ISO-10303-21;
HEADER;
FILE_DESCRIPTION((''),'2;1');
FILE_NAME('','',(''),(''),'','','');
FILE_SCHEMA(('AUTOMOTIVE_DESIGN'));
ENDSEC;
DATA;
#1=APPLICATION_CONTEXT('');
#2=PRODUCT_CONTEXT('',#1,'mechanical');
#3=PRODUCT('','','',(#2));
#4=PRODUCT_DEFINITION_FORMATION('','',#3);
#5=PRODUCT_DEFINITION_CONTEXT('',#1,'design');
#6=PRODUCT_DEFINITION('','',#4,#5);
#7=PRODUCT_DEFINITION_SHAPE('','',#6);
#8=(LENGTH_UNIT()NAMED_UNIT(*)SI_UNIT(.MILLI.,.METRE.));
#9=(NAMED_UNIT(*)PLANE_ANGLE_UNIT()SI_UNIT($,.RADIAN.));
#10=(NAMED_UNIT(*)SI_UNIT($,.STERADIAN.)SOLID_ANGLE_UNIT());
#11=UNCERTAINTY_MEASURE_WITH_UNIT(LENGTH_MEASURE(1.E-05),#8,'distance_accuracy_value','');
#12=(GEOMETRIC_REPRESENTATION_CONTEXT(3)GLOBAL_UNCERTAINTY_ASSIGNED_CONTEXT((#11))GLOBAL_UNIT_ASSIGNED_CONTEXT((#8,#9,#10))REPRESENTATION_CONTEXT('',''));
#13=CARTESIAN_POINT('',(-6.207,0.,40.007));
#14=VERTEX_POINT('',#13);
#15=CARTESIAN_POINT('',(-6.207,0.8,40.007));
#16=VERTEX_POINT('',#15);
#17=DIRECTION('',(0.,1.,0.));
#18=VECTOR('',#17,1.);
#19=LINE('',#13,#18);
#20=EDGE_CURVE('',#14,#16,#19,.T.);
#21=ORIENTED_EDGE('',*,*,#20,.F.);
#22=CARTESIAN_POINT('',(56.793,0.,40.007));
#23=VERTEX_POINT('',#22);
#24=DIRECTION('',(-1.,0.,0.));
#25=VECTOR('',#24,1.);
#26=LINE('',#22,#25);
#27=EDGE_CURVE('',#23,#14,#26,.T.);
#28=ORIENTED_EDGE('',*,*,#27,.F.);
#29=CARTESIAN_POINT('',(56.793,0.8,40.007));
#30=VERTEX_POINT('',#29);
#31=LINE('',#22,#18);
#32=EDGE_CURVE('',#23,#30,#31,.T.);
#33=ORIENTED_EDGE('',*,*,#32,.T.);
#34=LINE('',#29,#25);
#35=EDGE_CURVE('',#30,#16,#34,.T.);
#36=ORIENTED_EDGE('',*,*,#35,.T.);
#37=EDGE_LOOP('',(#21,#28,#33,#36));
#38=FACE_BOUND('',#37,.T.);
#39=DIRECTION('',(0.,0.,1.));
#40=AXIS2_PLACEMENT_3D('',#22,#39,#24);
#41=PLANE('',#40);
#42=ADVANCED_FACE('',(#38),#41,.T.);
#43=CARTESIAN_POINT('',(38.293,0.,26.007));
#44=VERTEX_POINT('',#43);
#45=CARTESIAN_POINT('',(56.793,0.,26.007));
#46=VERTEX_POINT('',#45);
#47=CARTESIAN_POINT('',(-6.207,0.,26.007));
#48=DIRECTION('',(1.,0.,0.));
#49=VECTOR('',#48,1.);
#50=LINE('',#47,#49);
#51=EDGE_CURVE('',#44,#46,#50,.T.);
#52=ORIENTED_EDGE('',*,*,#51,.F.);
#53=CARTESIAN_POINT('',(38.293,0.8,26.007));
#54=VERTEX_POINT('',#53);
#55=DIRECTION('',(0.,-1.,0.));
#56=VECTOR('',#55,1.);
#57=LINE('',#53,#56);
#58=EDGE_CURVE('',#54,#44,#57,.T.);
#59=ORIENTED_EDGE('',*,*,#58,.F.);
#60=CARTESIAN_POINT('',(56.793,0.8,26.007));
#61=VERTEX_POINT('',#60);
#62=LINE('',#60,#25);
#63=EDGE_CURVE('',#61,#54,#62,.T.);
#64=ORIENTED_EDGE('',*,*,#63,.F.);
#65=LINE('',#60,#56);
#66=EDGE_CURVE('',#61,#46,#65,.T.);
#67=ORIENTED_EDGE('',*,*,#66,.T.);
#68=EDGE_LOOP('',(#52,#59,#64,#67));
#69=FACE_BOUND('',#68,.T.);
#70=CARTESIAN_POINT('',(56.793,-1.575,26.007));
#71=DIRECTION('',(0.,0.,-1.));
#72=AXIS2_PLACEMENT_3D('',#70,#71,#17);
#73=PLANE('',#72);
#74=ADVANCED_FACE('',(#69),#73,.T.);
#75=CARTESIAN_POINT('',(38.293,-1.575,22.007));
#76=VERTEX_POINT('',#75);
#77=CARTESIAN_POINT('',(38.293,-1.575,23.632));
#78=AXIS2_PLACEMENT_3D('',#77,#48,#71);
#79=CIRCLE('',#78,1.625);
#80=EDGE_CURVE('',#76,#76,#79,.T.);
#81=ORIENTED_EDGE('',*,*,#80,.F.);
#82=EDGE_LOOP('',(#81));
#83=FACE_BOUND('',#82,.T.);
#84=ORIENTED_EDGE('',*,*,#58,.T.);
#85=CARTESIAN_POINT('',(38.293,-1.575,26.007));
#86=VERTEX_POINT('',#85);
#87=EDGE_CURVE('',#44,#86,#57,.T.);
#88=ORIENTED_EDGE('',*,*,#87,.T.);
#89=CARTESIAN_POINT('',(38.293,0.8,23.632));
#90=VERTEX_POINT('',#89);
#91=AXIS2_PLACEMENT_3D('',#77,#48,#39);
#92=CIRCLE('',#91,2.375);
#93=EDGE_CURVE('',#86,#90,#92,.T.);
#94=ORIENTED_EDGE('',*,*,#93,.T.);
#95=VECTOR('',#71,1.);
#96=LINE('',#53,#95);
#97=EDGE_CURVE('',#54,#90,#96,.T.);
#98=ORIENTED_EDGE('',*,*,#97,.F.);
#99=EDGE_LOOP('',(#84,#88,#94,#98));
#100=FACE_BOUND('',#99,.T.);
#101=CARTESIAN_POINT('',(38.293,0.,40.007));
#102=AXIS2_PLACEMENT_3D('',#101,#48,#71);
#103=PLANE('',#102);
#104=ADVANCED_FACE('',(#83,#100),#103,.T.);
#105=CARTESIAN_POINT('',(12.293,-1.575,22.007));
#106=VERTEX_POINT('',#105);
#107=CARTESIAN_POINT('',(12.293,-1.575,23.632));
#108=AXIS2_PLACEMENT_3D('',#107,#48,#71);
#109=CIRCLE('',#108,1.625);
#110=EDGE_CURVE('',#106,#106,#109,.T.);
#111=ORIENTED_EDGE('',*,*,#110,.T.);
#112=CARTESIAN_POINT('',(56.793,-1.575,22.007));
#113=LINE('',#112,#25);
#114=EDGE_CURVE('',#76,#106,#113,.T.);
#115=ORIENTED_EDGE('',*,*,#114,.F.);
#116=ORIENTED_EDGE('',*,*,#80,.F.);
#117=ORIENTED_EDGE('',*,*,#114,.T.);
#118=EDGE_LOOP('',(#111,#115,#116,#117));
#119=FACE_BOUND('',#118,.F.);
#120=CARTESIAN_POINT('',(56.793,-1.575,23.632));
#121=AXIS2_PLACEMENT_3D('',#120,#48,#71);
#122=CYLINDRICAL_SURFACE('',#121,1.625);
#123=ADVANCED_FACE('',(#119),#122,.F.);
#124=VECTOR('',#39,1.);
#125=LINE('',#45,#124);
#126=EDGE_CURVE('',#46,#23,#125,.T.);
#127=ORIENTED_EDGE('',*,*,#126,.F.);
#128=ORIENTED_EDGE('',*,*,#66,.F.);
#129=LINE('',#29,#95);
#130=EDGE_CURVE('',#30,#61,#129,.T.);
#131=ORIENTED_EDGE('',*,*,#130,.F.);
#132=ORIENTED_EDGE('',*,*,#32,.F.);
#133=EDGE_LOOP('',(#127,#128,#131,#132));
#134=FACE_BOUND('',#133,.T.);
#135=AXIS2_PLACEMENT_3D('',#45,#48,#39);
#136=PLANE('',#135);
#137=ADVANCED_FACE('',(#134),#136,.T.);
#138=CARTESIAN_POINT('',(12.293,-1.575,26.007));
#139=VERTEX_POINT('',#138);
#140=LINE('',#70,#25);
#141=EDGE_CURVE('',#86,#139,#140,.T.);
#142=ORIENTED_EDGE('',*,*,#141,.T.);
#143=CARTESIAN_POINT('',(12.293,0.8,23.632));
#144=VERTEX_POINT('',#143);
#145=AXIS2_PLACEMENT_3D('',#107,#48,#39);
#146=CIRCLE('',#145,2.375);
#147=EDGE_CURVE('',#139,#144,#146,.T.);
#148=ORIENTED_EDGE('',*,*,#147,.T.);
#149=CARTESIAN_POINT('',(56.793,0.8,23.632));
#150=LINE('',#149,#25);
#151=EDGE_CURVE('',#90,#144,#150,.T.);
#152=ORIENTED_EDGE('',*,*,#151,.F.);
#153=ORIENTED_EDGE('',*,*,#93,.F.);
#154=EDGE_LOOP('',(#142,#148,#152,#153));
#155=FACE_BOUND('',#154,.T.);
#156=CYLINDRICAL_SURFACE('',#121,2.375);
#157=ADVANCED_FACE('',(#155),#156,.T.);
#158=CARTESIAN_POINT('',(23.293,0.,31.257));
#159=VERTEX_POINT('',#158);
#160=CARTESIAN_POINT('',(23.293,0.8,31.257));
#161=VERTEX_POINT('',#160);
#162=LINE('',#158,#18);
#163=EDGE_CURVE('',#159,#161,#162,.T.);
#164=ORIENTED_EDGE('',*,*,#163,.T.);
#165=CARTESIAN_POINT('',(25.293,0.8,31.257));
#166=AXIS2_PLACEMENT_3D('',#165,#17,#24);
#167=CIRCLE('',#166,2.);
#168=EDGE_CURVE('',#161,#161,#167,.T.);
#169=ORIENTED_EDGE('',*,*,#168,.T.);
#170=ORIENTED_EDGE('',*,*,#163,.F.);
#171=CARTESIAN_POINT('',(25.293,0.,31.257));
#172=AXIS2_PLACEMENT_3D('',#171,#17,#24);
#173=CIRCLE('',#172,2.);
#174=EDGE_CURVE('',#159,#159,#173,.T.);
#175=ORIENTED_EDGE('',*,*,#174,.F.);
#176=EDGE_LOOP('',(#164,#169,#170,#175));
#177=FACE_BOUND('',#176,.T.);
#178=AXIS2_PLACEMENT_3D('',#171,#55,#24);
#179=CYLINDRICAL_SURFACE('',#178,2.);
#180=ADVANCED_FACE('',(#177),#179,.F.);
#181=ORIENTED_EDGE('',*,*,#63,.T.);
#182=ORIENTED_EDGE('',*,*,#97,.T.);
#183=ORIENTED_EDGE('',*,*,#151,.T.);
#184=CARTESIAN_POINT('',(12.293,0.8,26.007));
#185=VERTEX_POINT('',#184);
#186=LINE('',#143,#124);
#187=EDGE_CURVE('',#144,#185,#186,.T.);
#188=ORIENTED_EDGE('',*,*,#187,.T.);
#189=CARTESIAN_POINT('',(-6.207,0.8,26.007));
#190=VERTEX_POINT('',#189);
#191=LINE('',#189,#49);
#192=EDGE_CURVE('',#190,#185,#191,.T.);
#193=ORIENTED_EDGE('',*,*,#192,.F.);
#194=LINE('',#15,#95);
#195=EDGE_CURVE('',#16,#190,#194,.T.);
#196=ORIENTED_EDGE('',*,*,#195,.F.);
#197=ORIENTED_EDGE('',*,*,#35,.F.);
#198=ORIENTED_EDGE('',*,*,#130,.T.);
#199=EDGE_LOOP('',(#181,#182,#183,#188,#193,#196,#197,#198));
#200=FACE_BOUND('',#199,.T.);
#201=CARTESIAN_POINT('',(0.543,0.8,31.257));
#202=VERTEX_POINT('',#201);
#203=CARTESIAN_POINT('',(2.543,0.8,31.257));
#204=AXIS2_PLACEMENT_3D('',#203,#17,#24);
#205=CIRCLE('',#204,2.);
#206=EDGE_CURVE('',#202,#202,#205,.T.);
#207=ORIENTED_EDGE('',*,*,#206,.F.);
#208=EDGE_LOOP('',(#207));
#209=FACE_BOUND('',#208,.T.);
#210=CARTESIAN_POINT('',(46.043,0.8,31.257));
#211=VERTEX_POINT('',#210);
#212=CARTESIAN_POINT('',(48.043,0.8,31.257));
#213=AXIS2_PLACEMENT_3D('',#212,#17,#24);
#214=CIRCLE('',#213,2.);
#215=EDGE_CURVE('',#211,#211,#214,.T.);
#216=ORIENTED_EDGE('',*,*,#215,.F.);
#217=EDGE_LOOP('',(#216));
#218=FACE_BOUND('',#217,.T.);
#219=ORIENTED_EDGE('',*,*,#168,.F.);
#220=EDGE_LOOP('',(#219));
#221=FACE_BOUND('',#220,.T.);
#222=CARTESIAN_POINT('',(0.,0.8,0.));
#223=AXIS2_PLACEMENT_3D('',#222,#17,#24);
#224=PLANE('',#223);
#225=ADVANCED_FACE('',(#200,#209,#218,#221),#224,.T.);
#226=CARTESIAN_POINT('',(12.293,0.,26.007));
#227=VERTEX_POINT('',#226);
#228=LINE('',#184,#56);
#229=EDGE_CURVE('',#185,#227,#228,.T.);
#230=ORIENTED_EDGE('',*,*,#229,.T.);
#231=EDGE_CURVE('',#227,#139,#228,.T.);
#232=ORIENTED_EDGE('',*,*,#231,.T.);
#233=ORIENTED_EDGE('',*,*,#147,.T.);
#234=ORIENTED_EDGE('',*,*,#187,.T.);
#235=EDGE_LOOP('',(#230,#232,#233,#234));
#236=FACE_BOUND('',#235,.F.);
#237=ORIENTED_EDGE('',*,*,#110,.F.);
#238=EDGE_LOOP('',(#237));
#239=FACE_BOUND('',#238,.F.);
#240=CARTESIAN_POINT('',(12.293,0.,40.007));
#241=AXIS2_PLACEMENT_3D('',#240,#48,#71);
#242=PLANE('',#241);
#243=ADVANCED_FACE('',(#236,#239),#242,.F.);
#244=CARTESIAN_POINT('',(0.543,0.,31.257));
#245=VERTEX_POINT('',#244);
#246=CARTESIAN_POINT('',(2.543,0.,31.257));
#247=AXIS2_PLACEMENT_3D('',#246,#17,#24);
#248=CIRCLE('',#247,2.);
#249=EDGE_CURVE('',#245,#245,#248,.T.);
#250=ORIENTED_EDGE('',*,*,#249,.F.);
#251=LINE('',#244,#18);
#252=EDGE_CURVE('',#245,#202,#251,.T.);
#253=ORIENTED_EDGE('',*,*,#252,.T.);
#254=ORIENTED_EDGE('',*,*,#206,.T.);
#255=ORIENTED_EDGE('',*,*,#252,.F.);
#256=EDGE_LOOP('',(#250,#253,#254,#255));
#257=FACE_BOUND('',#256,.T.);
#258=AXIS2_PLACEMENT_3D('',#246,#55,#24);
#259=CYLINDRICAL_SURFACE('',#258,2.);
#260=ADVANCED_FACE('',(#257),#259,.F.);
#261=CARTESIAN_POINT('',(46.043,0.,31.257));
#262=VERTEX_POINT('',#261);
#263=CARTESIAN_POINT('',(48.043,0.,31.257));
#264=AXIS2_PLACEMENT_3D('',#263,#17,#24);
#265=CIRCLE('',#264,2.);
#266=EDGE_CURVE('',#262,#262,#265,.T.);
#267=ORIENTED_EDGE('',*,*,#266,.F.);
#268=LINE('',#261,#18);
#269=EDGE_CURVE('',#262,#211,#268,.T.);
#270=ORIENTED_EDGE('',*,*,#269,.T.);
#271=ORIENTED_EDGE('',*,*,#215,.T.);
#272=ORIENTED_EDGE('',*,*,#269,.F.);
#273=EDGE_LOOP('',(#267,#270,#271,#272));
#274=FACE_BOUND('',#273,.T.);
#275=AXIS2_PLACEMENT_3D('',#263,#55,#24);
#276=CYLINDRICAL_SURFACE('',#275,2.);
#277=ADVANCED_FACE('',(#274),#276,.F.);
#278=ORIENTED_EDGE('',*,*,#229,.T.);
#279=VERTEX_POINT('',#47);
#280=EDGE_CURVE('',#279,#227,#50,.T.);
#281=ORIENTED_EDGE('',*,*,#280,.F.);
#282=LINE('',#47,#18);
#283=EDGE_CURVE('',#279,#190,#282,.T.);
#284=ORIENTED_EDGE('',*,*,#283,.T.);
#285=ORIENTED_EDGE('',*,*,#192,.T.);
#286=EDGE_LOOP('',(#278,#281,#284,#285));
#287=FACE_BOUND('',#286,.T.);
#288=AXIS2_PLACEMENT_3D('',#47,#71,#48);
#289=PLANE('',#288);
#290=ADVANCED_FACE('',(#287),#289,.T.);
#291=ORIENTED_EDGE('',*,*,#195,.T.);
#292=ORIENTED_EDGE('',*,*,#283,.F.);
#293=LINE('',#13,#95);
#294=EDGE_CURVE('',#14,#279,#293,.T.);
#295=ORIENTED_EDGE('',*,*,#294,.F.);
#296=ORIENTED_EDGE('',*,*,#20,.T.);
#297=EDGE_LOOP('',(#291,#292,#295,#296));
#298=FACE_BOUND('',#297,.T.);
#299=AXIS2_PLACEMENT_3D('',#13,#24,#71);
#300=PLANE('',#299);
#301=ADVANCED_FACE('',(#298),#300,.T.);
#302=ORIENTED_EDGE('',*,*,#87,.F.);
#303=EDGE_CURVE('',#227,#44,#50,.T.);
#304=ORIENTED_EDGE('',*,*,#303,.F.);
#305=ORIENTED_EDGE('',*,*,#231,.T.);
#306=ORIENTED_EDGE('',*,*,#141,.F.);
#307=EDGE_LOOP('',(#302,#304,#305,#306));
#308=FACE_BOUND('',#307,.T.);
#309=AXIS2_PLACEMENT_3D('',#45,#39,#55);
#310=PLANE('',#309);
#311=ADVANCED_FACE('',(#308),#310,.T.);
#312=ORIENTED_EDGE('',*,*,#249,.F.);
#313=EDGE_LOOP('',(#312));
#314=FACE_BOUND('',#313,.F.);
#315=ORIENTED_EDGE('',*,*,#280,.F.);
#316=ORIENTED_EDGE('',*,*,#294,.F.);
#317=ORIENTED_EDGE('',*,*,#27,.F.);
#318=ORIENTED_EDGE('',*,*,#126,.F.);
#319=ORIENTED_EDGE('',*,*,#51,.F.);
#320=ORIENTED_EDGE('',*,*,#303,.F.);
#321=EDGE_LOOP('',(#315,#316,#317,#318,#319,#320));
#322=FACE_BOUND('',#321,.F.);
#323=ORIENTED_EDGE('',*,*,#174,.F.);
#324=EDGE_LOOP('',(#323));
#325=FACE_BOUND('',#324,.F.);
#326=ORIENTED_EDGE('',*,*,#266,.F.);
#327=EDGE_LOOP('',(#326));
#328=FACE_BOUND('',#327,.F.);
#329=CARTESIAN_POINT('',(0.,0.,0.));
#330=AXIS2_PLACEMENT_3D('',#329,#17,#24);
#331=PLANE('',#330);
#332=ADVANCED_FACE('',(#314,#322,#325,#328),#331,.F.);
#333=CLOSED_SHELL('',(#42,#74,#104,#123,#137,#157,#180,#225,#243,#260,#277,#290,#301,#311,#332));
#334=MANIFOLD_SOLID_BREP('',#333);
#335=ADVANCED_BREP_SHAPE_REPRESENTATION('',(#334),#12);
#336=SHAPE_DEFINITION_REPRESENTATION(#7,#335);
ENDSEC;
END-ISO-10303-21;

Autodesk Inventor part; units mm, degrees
ref_plane "YZ Plane" through (0, 0, 0) normal (1, 0, 0) x (0, 1, 0)
ref_plane "XZ Plane" through (0, 0, 0) normal (0, 1, 0) x (-1, 0, 0)
ref_plane "XY Plane" through (0, 0, 0) normal (0, 0, 1) x (1, 0, 0)
sketch "Boceto1" plane through (0, 0, 0) normal (0, 1, 0) x (-1, 0, 0)
  line L0 (6.207, 40.007) -> (6.207, 26.007)
  line L1 (6.207, 26.007) -> (-56.793, 26.007)
  line L2 (-56.793, 26.007) -> (-56.793, 40.007)
  line L3 (-56.793, 40.007) -> (6.207, 40.007)
  circle A0 centre (-25.293, 31.257) radius 2
  circle A1 centre (-2.543, 31.257) radius 2
  circle A2 centre (-48.043, 31.257) radius 2
  point P0 (0, 0)
  point P1 (0, 0)
  dimension "d0" = 14
  dimension "d1" = 63
  dimension "d24" = 4
  dimension "d25" = 4
  dimension "d26" = 4
  dimension "d27" = 8.75
  dimension "d28" = 8.75
  dimension "d29" = 8.75
  dimension "d30" = 31.5
  dimension "d31" = 8.75
  dimension "d32" = 8.75
extrude "Extrusión1" add sketch "Boceto1" along normal blind 0.8
sketch "Boceto7" plane through (56.793, 0, 40.007) normal (1, 0, 0) x (0, 0, -1)
  circle A0 centre (16.375, -1.575) radius 2.375
  circle A1 centre (16.375, -1.575) radius 1.625
  line L0 (0, 0.8) -> (14, 0.8) projected
  line L1 (14, 0) -> (14, 0.8) projected
  line L2 (14, 0) -> (14, -1.575)
  line L3 (16.375, 0.8) -> (14, 0.8)
  line L4 (14, 0) -> (0, 0) projected
  line L5 (14, 0.8) -> (14, 0)
  point P0 (40.007, 0)
  dimension "d33" = 4.75
  dimension "d34" = 3.25
extrude "Extrusión6" add sketch "Boceto7" against normal blind 44.5
sketch "Boceto9" plane through (56.793, 0, 40.007) normal (1, 0, 0) x (0, 0, -1)
  circle A0 centre (16.375, -1.575) radius 1.625 projected
  circle A1 centre (16.375, -1.575) radius 2.375
  line L0 (14, 0.8) -> (16.375, 0.8) projected
  line L1 (16.375, 0.8) -> (14, 0.8)
  line L2 (14, -1.575) -> (14, 0) projected
  line L3 (14, 0.8) -> (14, -1.575)
  point P0 (40.007, 0)
extrude "Extrusión8" cut sketch "Boceto9" against normal blind 18.5 contours A0 | A1 | A1 L2 L3 L0
properties part number "Ala 2 Bisagra tipo Libro Chica"
